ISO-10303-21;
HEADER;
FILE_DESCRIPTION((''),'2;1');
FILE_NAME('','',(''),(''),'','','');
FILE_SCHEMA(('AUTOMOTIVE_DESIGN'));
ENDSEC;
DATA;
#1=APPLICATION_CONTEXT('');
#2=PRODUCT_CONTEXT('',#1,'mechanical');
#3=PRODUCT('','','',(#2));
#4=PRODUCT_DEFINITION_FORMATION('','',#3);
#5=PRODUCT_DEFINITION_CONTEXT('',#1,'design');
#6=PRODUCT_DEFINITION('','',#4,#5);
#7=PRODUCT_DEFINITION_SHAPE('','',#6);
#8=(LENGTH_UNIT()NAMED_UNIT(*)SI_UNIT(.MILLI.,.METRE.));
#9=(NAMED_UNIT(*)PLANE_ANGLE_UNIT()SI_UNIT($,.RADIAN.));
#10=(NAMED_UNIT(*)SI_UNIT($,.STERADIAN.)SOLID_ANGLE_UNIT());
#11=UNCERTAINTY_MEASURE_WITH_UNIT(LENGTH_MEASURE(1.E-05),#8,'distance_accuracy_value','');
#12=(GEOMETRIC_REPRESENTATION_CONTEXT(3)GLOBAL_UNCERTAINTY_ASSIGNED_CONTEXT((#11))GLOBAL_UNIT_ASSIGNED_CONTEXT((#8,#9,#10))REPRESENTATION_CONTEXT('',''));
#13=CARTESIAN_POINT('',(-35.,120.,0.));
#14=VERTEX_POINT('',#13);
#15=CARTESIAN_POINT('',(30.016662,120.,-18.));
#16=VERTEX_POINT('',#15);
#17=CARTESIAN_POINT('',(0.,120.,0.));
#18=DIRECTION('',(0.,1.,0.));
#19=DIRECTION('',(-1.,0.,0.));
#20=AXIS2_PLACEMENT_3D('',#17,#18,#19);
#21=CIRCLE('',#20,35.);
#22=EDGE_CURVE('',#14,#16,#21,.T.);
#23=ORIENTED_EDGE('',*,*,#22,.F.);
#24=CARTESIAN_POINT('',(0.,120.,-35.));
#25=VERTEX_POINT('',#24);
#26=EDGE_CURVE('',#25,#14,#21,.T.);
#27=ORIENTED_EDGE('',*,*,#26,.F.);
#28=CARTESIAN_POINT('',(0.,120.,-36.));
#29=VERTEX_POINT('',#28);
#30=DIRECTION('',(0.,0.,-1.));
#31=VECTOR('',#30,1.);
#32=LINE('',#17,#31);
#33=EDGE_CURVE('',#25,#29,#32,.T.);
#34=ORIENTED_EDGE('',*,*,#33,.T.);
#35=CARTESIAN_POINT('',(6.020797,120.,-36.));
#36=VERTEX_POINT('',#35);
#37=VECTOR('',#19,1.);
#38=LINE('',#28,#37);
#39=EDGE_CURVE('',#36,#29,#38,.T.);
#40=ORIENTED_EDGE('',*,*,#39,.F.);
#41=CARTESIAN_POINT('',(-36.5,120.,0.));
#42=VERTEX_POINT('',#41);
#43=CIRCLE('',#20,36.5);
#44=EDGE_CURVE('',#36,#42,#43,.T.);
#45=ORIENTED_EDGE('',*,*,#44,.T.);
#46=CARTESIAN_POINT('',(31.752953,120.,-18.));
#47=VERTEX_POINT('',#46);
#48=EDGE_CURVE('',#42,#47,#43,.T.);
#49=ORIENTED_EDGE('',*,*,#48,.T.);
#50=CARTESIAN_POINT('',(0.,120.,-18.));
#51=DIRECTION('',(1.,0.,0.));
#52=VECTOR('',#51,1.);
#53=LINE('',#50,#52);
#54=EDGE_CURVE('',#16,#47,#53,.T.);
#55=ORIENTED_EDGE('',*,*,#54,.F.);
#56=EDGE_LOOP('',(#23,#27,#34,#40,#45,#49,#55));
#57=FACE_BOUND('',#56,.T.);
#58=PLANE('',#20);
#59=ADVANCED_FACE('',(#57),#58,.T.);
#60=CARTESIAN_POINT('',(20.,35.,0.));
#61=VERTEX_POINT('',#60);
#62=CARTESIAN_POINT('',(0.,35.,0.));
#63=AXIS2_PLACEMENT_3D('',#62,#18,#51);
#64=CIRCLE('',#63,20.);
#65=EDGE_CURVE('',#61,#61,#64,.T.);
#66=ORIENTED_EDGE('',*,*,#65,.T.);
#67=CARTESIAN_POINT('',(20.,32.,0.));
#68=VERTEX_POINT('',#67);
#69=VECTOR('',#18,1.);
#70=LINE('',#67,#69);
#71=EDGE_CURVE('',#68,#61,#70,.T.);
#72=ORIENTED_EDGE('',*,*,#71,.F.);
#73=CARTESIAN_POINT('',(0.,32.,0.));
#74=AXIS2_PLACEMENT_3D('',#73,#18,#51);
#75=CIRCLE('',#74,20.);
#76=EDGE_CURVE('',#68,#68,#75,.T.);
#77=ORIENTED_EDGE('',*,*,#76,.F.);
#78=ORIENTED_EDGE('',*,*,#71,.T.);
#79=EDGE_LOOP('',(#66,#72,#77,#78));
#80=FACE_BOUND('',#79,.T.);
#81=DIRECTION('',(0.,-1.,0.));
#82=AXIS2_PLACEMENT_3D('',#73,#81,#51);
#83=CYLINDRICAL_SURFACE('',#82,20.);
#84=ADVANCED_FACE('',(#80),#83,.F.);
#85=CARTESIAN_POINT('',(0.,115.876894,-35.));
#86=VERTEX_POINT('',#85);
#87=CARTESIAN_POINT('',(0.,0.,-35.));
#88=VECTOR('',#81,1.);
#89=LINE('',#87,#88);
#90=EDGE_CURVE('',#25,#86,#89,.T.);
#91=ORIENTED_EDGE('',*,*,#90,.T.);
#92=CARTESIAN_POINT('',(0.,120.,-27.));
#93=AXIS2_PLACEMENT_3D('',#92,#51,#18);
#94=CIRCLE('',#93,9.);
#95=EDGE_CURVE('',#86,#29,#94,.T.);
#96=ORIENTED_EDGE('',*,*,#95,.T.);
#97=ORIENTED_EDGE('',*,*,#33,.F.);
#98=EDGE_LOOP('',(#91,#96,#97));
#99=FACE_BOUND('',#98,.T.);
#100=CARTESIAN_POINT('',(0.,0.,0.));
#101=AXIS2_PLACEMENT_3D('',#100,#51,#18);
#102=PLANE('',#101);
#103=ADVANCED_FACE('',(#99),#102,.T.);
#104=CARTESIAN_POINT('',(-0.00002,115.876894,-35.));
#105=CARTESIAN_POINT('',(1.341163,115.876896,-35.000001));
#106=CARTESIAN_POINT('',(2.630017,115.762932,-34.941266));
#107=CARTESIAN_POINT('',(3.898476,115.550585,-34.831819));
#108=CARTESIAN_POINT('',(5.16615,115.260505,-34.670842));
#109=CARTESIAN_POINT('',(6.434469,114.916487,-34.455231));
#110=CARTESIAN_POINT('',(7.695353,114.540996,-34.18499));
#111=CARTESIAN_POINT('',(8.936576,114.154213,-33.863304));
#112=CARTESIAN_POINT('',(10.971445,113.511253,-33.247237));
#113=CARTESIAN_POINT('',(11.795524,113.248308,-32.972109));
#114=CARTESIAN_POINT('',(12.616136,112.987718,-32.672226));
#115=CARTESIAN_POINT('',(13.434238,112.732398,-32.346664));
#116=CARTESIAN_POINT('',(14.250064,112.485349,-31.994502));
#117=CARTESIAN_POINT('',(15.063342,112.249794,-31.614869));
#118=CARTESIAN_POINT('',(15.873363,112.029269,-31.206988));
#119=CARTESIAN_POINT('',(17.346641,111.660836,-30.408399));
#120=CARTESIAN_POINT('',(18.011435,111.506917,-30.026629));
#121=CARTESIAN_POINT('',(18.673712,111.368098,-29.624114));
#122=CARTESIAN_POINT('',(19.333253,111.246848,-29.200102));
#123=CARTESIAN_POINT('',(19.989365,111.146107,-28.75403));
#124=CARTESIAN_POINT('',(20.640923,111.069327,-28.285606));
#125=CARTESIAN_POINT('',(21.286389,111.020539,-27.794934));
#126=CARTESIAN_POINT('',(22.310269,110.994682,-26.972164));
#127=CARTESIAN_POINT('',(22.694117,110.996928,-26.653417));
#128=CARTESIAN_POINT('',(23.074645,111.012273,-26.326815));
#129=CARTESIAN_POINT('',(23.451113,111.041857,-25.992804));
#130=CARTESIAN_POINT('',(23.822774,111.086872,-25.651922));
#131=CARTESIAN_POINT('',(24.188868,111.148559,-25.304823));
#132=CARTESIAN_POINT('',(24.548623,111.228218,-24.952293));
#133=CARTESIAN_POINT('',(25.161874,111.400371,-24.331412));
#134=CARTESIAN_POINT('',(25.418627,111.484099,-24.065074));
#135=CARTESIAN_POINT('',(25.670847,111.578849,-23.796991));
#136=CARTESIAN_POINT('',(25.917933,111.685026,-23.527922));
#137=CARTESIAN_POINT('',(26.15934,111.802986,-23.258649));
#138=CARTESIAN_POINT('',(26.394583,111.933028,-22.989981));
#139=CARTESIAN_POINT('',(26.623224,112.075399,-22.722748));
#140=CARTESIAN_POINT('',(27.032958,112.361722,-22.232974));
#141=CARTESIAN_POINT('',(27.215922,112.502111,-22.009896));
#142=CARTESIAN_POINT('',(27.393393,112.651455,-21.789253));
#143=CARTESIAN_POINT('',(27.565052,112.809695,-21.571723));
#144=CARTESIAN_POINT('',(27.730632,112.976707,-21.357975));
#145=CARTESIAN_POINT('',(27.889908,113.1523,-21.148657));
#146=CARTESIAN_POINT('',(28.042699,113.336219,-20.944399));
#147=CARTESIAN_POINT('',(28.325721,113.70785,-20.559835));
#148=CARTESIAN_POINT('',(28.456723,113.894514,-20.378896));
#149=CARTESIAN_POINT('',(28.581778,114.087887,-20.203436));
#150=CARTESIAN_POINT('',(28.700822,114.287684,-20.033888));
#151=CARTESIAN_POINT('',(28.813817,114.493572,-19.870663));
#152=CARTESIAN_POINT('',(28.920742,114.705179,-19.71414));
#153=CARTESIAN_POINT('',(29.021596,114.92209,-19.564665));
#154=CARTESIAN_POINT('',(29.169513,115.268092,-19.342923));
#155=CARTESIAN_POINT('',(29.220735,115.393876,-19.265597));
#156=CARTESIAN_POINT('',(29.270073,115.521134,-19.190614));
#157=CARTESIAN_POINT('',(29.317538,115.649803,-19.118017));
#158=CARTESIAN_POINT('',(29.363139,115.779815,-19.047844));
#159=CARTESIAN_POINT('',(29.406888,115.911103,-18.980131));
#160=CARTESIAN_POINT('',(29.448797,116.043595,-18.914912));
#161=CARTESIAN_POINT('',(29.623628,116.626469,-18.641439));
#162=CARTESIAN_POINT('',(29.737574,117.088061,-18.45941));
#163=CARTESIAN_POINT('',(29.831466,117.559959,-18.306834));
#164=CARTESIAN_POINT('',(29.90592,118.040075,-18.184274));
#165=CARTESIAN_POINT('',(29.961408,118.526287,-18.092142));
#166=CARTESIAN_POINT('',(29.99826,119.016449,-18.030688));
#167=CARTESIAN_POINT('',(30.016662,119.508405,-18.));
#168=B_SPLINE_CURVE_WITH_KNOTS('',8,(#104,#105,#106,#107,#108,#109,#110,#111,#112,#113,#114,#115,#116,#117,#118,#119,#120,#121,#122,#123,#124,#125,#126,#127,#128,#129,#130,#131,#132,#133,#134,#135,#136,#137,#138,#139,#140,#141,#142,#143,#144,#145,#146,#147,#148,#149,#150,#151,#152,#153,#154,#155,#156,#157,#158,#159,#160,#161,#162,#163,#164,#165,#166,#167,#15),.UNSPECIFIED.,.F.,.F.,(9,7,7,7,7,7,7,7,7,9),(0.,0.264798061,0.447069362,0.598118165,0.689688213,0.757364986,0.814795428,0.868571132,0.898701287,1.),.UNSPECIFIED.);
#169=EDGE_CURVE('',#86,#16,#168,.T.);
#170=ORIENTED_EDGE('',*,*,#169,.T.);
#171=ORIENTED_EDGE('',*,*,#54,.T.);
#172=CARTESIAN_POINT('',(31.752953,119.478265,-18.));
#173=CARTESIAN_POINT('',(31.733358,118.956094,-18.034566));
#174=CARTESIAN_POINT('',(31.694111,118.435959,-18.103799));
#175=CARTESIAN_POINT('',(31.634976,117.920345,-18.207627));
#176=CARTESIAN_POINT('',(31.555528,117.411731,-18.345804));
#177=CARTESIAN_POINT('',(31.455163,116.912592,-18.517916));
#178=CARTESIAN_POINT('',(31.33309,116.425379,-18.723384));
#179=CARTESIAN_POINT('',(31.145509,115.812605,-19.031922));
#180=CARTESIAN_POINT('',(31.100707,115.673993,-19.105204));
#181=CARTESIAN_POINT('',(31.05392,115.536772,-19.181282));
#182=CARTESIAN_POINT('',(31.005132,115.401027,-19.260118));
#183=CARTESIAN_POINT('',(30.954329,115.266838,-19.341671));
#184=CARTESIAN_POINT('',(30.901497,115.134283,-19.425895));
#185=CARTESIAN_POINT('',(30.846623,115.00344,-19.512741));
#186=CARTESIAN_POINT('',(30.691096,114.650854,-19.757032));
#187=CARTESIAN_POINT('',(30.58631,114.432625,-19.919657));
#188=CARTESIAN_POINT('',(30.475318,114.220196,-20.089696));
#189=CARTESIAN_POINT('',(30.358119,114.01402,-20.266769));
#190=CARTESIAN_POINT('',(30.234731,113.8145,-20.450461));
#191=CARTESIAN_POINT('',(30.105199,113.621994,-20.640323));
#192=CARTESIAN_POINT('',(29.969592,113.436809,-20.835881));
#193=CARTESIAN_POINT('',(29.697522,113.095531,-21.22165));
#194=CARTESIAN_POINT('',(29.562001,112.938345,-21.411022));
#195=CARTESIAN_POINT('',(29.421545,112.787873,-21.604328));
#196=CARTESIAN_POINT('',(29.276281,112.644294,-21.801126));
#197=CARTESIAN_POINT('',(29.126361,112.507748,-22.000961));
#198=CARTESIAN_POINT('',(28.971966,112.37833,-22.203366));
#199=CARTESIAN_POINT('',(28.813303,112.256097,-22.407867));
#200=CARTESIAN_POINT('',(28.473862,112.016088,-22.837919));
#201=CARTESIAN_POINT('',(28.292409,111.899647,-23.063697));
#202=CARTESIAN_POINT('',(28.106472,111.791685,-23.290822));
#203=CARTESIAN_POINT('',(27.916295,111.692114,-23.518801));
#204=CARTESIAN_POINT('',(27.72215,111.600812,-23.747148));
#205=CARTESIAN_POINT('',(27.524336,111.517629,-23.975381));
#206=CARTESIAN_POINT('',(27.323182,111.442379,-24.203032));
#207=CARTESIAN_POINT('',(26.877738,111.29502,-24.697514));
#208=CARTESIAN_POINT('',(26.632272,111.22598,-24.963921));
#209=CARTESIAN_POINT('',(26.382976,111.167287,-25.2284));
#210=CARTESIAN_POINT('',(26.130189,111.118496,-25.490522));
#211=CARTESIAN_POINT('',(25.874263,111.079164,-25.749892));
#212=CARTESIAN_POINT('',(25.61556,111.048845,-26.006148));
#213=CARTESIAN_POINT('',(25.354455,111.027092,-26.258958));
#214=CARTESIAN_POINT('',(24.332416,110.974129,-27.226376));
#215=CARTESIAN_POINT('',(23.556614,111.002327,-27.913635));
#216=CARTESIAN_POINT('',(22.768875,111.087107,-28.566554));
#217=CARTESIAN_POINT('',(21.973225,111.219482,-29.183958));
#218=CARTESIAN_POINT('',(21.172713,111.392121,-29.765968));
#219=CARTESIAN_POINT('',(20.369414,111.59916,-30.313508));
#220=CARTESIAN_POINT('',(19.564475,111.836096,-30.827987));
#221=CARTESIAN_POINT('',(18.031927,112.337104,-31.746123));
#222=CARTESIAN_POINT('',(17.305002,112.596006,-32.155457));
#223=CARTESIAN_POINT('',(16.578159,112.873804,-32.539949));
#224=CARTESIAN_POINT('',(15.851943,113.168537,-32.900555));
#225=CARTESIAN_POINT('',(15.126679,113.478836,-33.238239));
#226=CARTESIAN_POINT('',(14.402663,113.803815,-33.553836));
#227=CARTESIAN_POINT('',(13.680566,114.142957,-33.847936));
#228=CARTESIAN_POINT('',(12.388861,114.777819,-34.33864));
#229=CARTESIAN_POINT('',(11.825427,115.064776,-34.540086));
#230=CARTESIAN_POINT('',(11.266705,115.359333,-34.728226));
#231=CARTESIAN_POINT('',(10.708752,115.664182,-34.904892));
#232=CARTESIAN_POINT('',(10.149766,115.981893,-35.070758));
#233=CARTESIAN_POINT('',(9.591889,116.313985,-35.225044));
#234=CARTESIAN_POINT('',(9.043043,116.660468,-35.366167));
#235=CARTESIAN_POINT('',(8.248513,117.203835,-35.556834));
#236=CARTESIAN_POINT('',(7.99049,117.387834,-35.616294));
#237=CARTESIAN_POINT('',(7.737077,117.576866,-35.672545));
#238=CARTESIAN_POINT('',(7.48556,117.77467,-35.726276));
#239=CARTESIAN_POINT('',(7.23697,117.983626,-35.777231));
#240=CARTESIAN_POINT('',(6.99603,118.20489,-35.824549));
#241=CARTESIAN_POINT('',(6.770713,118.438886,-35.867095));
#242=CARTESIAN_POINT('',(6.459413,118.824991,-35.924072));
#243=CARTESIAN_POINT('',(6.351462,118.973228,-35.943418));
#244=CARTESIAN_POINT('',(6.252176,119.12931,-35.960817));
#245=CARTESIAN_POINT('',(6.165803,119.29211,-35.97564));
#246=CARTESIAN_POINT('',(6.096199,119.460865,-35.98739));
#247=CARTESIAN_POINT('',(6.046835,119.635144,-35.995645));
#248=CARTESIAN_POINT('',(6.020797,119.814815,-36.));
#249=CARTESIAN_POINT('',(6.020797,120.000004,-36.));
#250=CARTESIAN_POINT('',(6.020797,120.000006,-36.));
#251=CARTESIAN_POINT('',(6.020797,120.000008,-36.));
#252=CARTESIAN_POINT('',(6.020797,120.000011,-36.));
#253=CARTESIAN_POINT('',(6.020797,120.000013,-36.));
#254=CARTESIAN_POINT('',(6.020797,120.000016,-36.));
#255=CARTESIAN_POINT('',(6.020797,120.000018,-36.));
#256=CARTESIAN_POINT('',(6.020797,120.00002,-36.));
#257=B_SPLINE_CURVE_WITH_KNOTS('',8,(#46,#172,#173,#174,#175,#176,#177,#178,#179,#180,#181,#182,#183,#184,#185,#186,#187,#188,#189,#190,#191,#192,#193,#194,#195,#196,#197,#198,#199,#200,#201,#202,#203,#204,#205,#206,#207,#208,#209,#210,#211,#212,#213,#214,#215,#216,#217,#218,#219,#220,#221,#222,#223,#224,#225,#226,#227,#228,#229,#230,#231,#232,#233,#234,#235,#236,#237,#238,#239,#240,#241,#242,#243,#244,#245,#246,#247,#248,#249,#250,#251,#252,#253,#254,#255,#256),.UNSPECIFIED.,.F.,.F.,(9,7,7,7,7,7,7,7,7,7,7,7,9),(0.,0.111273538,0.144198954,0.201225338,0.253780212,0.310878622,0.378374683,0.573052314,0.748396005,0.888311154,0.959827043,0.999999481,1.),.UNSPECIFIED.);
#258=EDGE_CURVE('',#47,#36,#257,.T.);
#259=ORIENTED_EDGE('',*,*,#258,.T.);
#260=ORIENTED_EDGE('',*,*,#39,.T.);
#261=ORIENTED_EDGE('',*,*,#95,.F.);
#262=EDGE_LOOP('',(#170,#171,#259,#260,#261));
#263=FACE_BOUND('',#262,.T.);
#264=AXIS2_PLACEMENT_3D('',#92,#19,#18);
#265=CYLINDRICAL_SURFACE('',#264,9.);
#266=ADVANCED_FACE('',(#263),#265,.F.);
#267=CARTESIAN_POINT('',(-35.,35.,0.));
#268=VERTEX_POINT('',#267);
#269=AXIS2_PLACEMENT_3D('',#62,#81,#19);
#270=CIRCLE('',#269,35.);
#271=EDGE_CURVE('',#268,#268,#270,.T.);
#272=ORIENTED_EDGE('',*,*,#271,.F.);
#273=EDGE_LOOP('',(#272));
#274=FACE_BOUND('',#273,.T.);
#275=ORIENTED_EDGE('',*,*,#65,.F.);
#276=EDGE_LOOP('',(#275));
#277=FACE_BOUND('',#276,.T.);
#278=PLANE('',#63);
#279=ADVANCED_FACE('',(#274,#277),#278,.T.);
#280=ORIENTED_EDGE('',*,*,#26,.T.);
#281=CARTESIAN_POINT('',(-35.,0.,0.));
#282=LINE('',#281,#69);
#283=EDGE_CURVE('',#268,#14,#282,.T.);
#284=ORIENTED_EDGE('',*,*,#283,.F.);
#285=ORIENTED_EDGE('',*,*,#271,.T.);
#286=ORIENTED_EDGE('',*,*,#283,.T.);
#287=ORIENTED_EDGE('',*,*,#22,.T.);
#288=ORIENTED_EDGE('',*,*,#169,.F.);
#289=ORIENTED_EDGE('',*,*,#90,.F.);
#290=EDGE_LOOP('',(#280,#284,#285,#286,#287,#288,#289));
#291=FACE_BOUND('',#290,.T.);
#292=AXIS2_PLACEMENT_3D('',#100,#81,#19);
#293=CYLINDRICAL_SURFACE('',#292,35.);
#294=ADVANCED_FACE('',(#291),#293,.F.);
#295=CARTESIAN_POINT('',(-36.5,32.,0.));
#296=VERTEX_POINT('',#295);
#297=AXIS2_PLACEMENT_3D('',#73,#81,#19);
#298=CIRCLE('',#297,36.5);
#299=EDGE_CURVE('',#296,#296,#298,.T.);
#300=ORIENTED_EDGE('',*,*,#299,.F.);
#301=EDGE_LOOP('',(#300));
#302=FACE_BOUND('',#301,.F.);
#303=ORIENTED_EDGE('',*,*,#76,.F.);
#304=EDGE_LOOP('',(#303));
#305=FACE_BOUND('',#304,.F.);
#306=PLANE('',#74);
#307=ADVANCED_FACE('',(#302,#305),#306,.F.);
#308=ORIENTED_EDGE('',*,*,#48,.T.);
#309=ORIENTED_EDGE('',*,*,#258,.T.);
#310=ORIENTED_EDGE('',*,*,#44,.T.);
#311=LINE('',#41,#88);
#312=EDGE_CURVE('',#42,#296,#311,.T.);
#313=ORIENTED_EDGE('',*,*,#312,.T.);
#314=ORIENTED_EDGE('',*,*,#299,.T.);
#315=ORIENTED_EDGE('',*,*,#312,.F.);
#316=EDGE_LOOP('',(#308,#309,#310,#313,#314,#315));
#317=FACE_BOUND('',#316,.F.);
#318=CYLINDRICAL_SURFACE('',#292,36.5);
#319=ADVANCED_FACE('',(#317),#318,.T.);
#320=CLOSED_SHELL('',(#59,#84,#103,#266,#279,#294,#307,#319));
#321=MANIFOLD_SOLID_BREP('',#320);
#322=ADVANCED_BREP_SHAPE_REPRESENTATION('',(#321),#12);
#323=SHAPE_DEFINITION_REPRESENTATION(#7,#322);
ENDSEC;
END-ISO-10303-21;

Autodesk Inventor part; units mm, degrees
sketch "Sketch1" plane through (0, 0, 0) normal (0, 1, 0) x (-1, 0, 0)
  circle A0 centre (0, 0) radius 36.5
  circle A1 centre (0, 0) radius 35
  dimension "d0" = 73
  dimension "d1" = 70
extrude "Extrusion1" add sketch "Sketch1" along normal blind 3 contours A0 | A1
extrude "Extrusion2" add sketch "Sketch1" along normal blind 120
sketch "Sketch2" plane through (0, 3, 0) normal (0, 1, 0) x (1, 0, 0)
  circle A0 centre (0, 0) radius 35 projected
  line L0 (-24.7487, -24.7487) -> (24.7487, -24.7487)
  line L1 (24.7487, -24.7487) -> (24.7487, 24.7487)
  line L2 (24.7487, 24.7487) -> (-24.7487, 24.7487)
  line L3 (-24.7487, 24.7487) -> (-24.7487, -24.7487)
  line L4 (-24.7487, -24.7487) -> (24.7487, 24.7487) construction
  line L5 (24.7487, -24.7487) -> (-24.7487, 24.7487) construction
extrude "Extrusion3" add sketch "Sketch2" along normal blind 2 contours L1 L0 L3 L2
sketch "Sketch3" plane through (0, 5, 0) normal (0, 1, 0) x (1, 0, 0)
  line L0 (21.1, -23.1) -> (-21.1, -23.1)
  line L1 (-23.1, -21.1) -> (-23.1, 21.1)
  line L2 (-21.1, 23.1) -> (21.1, 23.1)
  line L3 (23.1, 21.1) -> (23.1, -21.1)
  line L4 (23.1, -23.1) -> (-23.1, 23.1) construction
  line L5 (-23.1, -23.1) -> (23.1, 23.1) construction
  arc A0 (-23.1, -21.1) -> (-21.1, -23.1) centre (-21.1, -21.1) ccw
  arc A1 (21.1, -23.1) -> (23.1, -21.1) centre (21.1, -21.1) ccw
  arc A2 (23.1, 21.1) -> (21.1, 23.1) centre (21.1, 21.1) ccw
  arc A3 (-21.1, 23.1) -> (-23.1, 21.1) centre (-21.1, 21.1) ccw
  point P0 (0, 0)
  dimension "d11" = 46.2
  dimension "d12" = 46.2
  dimension "d13" = 2
extrude "Extrusion4" cut sketch "Sketch3" against normal blind 2
sketch "Sketch4" plane through (0, 0, 0) normal (1, 0, 0) x (0, 1, 0)
  line L0 (120, 35) -> (120, -35) projected
  line L1 (120, 0) -> (120, -19.5)
  line L2 (120, -19.5) -> (120, -27)
  circle A0 centre (120, -27) radius 9
  point P0 (0, 0)
  dimension "d16" = 19.5
  dimension "d17" = 7.5
  dimension "d18" = 18
extrude "Extrusion5" cut sketch "Sketch4" along normal through all
sketch "Sketch5" plane through (0, 0, 0) normal (0, -1, 0) x (1, 0, 0)
  line L0 (5, -36.1559) -> (5, -42.4125)
  line L1 (5, -42.4125) -> (-5, -42.4125)
  line L2 (-5, -42.4125) -> (-5, -36.1559)
  line L3 (-5, -30.5875) -> (5, -42.4125) construction
  line L4 (5, -30.5875) -> (-5, -42.4125) construction
  circle A0 centre (0, 0) radius 36.5 projected
  line L5 (8, -35.6125) -> (8, -42.4125)
  line L6 (8, -42.4125) -> (-8, -42.4125)
  line L7 (-8, -42.4125) -> (-8, -35.6125)
  line L8 (-8, -30.5875) -> (8, -42.4125) construction
  line L9 (8, -30.5875) -> (-8, -42.4125) construction
  circle A1 centre (0, 0) radius 36.5
  arc A2 (5, -36.1675) -> (4.9876, -36.1576) centre (0, -42.4125) ccw
  arc A3 (-4.9876, -36.1576) -> (-5, -36.1675) centre (0, -42.4125) ccw
  arc A4 (-8, -42.4125) -> (8, -42.4125) centre (0, -42.4125) ccw
  arc A5 (-5, -42.4125) -> (5, -42.4125) centre (0, -42.4125) ccw
  point P0 (0, -36.5)
  dimension "d21" = 10
  dimension "d22" = 36.5
  dimension "d23" = 16
extrude "Extrusion6" add sketch "Sketch5" against normal blind 6 contours A0 L5 L6 L0 | L6 A4 A5 | L6 L7 A0 L2
ref_plane "Work Plane2" through (36.5, 0, 0) normal (1, 0, 0) x (0, 1, 0)
sketch "Sketch8" plane through (36.5, 0, 0) normal (1, 0, 0) x (0, 1, 0)
  line L0 (8.45, 4.25) -> (21.55, 4.25)
  line L1 (21.55, 4.25) -> (21.55, -4.25)
  line L2 (21.55, -4.25) -> (8.45, -4.25)
  line L3 (8.45, -4.25) -> (8.45, 4.25)
  line L4 (8.45, 4.25) -> (21.55, -4.25) construction
  line L5 (21.55, 4.25) -> (8.45, -4.25) construction
  line L6 (7.5, 5.25) -> (22.5, 5.25)
  line L7 (22.5, 5.25) -> (22.5, -5.25)
  line L8 (22.5, -5.25) -> (7.5, -5.25)
  line L9 (7.5, -5.25) -> (7.5, 5.25)
  line L10 (7.5, 5.25) -> (22.5, -5.25) construction
  line L11 (22.5, 5.25) -> (7.5, -5.25) construction
  point P0 (0, 0)
  point P1 (15, 0)
  dimension "d38" = 13.1
  dimension "d39" = 8.5
  dimension "d40" = 0
  dimension "d41" = 15
  dimension "d42" = 10.5
  dimension "d43" = 15
extrude "Extrusion9" cut sketch "Sketch8" against normal blind 3 contours L0 L1 L2 L3
extrude "Extrusion10" cut sketch "Sketch8" against normal blind 1
ref_plane "Work Plane3" through (0, 93, 0) normal (0, 1, 0) x (1, 0, 0)
ref_plane "Work Plane5" through (0, 32, 0) normal (0, 1, 0) x (1, 0, 0)
sketch "Sketch13" plane through (0, 32, 0) normal (0, 1, 0) x (1, 0, 0)
  circle A0 centre (0, 0) radius 20
  line L0 (24.7487, 24.7487) -> (-24.7487, 24.7487) projected
  circle A1 centre (0, 0) radius 35
  dimension "d61" = 40
extrude "Extrusion14" add sketch "Sketch13" along normal blind 3
sketch "Sketch14" plane through (0, 32, 0) normal (0, 1, 0) x (1, 0, 0)
  circle A0 centre (0, 0) radius 50.5551
extrude "Extrusion15" cut sketch "Sketch14" against normal through all
properties part number "Outside holder"
